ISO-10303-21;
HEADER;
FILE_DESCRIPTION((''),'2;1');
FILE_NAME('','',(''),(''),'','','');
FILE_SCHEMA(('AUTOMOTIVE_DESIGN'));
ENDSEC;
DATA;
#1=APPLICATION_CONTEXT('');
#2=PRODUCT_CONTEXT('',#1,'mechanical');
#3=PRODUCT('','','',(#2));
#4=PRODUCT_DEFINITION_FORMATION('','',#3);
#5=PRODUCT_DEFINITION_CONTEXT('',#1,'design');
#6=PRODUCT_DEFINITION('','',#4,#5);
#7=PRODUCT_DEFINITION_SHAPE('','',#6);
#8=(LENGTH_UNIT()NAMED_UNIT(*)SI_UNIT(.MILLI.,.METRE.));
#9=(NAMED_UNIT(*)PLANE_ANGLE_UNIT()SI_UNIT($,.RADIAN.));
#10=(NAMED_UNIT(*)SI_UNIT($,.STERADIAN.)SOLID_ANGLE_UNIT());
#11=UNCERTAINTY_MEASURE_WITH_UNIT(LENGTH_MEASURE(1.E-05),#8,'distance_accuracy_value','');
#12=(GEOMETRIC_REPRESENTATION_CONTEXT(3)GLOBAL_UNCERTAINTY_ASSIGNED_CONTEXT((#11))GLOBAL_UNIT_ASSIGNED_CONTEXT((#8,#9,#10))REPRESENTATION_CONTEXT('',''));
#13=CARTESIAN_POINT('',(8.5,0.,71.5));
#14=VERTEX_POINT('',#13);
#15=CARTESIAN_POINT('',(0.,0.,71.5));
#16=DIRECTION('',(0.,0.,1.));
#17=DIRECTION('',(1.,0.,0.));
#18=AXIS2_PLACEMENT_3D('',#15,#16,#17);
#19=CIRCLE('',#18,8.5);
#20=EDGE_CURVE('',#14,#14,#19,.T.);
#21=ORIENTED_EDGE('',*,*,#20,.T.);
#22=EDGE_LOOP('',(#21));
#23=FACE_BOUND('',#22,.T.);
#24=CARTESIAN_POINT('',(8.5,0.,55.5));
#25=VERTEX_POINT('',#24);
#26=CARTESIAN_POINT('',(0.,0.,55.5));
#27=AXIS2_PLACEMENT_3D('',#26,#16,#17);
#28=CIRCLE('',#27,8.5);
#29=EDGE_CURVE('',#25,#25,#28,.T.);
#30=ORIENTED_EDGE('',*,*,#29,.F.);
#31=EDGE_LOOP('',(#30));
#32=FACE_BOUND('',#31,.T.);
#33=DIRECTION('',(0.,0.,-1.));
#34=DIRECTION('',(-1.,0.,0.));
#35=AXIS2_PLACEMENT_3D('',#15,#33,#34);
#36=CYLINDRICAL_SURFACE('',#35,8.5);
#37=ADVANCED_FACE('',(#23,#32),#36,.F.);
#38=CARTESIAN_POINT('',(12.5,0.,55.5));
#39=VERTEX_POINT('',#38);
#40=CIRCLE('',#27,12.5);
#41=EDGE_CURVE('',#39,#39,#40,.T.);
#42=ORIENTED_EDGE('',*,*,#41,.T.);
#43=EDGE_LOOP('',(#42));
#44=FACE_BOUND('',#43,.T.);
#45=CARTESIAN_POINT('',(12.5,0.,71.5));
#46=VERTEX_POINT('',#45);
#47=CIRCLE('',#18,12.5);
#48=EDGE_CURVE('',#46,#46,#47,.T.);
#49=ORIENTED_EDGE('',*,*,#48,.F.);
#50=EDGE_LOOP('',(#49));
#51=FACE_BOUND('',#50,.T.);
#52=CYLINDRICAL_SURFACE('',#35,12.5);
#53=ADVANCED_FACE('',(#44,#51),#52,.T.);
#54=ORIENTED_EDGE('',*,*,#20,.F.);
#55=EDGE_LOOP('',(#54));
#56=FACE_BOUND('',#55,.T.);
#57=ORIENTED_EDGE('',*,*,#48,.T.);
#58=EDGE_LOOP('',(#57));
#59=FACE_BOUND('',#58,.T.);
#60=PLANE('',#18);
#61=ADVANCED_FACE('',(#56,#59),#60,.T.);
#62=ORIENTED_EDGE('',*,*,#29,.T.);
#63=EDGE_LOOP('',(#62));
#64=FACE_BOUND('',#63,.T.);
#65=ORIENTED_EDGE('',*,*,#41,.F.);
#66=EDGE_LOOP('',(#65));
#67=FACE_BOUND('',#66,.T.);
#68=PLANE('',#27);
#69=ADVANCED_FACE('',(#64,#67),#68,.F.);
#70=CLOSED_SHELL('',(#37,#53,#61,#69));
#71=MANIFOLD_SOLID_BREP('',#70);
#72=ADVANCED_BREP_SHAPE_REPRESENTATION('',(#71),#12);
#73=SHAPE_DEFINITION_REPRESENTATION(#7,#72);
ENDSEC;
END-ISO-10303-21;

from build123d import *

# Parameters (mm, degrees)
NEEDLE_BEARING_START = 55.5
SKETCH_1_R           = 12.5
SKETCH_1_R_2         = 8.5
NEEDLE_BEARING_DEPTH = 16


with BuildPart() as part:
    # Эскиз1 → Needle_bearing (new body)
    with BuildSketch(Plane.XY.offset(NEEDLE_BEARING_START)):
        Circle(SKETCH_1_R)
        Circle(SKETCH_1_R_2, mode=Mode.SUBTRACT)
    extrude(amount=NEEDLE_BEARING_DEPTH)


solid = part.part
